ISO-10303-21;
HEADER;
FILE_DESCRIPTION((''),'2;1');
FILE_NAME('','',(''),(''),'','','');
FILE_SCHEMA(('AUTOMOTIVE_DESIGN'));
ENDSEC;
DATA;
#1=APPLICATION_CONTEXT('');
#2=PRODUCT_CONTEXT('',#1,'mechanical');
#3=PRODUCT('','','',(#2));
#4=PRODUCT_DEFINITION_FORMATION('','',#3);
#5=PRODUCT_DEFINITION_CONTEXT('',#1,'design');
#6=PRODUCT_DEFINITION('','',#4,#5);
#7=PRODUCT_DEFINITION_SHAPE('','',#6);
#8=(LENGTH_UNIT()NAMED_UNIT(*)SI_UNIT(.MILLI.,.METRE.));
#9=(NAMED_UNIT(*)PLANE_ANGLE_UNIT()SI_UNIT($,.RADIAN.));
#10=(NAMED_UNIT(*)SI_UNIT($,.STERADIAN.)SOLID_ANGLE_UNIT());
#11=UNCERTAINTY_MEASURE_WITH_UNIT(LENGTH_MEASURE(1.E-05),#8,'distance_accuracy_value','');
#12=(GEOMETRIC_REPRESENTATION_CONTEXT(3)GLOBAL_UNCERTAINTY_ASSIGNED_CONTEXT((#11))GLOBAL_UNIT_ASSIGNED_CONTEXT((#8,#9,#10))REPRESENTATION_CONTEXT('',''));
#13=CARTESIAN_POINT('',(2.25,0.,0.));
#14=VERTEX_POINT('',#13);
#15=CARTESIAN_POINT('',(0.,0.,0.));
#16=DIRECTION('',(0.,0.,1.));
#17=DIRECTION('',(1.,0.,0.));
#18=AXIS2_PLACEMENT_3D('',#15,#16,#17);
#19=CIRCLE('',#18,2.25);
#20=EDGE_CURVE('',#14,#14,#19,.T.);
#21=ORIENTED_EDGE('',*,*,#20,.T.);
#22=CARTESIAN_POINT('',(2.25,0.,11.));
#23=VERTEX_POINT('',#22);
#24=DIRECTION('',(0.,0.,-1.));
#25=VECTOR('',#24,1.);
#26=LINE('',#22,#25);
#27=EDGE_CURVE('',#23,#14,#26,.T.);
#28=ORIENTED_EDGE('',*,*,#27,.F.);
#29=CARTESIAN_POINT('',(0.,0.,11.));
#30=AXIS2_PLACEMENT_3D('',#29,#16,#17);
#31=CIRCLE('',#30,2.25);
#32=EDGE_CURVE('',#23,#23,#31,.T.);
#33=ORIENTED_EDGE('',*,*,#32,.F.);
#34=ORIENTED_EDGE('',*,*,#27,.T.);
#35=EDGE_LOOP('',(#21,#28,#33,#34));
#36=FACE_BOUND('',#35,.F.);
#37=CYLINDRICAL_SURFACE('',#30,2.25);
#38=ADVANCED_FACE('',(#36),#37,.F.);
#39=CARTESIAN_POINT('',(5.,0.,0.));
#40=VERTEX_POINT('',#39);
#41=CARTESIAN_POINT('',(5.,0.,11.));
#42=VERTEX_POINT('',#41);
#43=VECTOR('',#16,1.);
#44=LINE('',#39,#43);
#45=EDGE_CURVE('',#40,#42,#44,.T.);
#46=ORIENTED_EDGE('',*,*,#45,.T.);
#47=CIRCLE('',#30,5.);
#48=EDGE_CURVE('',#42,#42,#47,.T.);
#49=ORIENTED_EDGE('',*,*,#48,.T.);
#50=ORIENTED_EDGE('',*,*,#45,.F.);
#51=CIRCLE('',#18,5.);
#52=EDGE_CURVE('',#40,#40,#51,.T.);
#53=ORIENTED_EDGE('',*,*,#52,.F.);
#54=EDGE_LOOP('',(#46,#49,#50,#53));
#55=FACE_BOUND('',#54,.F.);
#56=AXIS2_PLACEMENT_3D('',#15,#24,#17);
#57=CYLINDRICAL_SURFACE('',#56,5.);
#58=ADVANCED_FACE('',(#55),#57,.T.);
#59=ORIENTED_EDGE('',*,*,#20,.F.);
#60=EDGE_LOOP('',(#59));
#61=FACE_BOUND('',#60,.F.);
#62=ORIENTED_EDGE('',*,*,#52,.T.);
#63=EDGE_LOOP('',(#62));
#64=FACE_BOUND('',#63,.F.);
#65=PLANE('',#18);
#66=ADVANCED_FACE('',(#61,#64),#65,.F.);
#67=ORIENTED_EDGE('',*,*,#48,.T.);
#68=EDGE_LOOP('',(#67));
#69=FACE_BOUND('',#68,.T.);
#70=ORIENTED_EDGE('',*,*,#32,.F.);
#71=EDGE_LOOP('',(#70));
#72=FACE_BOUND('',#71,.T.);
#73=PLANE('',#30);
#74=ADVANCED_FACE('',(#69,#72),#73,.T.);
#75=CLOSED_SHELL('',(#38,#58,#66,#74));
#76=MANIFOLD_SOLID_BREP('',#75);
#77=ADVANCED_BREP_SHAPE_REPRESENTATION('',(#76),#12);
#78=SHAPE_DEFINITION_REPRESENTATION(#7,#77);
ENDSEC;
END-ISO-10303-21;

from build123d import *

# Parameters (mm, degrees)
SKETCH_R     = 5
PAD_DEPTH    = 11
SKETCH001_R  = 2.25
POCKET_DEPTH = 11.001


with BuildPart() as part:
    # Sketch → Pad (new body)
    with BuildSketch(Plane.XY):
        Circle(SKETCH_R)
    extrude(amount=PAD_DEPTH)

    # Sketch001 → Pocket (cut, through all)
    with BuildSketch(Plane.XY.offset(11)):
        Circle(SKETCH001_R)
    extrude(amount=-POCKET_DEPTH, mode=Mode.SUBTRACT)


solid = part.part
